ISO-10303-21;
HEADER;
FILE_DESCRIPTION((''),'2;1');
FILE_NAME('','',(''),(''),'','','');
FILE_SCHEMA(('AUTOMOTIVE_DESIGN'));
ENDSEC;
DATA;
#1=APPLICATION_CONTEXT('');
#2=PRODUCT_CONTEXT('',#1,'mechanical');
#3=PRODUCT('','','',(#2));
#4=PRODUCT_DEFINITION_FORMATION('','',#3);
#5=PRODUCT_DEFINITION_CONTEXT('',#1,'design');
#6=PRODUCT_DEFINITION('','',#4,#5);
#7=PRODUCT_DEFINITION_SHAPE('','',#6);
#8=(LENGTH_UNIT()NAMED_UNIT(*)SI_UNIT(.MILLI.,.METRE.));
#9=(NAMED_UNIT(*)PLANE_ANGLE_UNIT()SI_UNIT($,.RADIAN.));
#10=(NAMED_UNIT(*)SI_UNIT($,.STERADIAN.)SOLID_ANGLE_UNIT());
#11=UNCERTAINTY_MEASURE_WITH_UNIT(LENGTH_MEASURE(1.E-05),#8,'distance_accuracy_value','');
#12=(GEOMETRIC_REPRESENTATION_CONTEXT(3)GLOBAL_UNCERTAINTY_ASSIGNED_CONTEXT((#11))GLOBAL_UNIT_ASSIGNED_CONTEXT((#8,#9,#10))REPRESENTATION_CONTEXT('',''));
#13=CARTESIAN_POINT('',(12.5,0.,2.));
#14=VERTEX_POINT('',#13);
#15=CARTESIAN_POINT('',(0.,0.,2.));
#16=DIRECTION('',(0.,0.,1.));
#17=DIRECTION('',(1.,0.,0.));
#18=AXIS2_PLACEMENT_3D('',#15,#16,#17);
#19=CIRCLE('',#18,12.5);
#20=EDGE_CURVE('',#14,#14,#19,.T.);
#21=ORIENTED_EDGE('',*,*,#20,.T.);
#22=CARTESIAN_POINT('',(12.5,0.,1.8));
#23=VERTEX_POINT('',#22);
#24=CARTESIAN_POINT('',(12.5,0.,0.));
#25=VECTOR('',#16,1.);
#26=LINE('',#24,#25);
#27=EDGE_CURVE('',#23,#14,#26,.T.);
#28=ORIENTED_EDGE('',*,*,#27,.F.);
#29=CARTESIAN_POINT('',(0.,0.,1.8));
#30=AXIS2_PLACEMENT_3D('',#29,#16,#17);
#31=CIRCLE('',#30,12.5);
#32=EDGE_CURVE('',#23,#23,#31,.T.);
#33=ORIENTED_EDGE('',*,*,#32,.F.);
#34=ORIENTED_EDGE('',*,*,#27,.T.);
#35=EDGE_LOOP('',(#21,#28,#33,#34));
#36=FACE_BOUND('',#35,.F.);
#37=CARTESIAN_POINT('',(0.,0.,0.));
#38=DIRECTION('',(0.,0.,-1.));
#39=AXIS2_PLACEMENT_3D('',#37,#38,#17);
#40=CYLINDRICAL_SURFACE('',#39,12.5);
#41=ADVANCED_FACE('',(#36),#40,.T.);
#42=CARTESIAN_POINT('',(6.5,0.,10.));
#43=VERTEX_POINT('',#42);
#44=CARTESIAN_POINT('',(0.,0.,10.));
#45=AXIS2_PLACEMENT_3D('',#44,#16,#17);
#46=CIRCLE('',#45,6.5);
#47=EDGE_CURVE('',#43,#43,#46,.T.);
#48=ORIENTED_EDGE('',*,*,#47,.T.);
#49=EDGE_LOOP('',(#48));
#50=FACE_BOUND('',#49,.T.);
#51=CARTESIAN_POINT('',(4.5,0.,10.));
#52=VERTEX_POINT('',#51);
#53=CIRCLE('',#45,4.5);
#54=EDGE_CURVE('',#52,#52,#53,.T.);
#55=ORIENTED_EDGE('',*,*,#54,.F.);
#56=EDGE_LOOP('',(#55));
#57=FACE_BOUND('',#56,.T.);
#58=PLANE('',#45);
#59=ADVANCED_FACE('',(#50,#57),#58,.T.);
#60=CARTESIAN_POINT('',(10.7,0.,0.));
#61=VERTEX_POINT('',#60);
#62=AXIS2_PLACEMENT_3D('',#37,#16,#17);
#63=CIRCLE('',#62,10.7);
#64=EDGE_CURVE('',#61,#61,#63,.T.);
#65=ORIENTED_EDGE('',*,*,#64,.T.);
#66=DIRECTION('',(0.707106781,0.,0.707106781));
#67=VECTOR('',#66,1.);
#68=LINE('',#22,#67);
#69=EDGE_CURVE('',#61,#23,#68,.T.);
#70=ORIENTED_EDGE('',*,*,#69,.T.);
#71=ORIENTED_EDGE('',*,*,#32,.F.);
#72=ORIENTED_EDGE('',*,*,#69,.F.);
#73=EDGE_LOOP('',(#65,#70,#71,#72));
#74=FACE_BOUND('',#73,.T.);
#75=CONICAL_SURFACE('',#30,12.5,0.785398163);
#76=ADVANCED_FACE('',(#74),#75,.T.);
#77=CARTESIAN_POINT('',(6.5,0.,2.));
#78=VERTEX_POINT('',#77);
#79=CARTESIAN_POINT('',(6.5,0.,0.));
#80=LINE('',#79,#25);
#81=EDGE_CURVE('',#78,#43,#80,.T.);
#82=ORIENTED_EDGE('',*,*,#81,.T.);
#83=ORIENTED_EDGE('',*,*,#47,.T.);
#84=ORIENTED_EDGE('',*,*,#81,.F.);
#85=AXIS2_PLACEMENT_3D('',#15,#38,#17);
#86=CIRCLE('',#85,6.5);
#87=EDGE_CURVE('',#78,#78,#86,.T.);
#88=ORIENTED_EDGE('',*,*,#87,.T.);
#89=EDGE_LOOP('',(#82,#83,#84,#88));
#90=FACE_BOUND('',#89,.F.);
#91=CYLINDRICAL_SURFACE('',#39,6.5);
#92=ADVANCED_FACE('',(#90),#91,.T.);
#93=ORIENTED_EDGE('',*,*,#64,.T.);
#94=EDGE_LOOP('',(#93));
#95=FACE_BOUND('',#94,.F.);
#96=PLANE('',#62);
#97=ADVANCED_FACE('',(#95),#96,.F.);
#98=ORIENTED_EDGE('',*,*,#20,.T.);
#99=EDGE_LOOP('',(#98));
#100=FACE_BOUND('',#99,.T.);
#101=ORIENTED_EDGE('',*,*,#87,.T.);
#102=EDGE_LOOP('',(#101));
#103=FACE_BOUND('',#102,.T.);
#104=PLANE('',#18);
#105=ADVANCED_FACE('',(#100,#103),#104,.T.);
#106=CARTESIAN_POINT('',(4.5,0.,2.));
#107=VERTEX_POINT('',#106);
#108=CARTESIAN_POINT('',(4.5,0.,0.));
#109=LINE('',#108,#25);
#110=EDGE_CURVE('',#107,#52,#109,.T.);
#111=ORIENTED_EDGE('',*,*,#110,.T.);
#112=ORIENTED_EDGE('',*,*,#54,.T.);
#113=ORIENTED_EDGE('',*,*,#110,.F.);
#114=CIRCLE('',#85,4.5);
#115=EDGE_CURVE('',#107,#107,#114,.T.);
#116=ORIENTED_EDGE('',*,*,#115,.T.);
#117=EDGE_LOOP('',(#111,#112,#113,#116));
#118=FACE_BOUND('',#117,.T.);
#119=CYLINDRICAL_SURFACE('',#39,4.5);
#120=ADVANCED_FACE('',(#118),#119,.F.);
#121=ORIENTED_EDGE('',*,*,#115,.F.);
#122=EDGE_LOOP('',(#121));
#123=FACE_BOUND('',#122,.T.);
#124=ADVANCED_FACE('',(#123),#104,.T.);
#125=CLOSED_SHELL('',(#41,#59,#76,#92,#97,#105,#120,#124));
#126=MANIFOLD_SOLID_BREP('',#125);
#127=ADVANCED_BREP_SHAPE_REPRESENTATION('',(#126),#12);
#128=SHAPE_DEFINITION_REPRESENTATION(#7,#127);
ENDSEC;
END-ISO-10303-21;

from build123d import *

# Parameters (mm, degrees)
F0_R     = 12.5
F0_R_2   = 6.5
F0_R_3   = 4.5
F1_DEPTH = 2
F2_DEPTH = 10
F3_SIZE  = 1.8


with BuildPart() as f1:
    # F0 (on Top) → F1 (new body)
    with BuildSketch(Plane.XY):
        Circle(F0_R)
        Circle(F0_R_2, mode=Mode.SUBTRACT)
        Circle(F0_R_2)
        Circle(F0_R_3, mode=Mode.SUBTRACT)
        Circle(F0_R_3)
    extrude(amount=F1_DEPTH)

    # F0 (on Top) → F2 (join)
    with BuildSketch(Plane.XY):
        Circle(F0_R_2)
        Circle(F0_R_3, mode=Mode.SUBTRACT)
    extrude(amount=F2_DEPTH)

    # F3
    f3_edges = [f1.edges().sort_by_distance(p)[0] for p in [
        (-12.5, 0, 0),
    ]]
    chamfer(f3_edges, length=F3_SIZE)


solid = f1.part
